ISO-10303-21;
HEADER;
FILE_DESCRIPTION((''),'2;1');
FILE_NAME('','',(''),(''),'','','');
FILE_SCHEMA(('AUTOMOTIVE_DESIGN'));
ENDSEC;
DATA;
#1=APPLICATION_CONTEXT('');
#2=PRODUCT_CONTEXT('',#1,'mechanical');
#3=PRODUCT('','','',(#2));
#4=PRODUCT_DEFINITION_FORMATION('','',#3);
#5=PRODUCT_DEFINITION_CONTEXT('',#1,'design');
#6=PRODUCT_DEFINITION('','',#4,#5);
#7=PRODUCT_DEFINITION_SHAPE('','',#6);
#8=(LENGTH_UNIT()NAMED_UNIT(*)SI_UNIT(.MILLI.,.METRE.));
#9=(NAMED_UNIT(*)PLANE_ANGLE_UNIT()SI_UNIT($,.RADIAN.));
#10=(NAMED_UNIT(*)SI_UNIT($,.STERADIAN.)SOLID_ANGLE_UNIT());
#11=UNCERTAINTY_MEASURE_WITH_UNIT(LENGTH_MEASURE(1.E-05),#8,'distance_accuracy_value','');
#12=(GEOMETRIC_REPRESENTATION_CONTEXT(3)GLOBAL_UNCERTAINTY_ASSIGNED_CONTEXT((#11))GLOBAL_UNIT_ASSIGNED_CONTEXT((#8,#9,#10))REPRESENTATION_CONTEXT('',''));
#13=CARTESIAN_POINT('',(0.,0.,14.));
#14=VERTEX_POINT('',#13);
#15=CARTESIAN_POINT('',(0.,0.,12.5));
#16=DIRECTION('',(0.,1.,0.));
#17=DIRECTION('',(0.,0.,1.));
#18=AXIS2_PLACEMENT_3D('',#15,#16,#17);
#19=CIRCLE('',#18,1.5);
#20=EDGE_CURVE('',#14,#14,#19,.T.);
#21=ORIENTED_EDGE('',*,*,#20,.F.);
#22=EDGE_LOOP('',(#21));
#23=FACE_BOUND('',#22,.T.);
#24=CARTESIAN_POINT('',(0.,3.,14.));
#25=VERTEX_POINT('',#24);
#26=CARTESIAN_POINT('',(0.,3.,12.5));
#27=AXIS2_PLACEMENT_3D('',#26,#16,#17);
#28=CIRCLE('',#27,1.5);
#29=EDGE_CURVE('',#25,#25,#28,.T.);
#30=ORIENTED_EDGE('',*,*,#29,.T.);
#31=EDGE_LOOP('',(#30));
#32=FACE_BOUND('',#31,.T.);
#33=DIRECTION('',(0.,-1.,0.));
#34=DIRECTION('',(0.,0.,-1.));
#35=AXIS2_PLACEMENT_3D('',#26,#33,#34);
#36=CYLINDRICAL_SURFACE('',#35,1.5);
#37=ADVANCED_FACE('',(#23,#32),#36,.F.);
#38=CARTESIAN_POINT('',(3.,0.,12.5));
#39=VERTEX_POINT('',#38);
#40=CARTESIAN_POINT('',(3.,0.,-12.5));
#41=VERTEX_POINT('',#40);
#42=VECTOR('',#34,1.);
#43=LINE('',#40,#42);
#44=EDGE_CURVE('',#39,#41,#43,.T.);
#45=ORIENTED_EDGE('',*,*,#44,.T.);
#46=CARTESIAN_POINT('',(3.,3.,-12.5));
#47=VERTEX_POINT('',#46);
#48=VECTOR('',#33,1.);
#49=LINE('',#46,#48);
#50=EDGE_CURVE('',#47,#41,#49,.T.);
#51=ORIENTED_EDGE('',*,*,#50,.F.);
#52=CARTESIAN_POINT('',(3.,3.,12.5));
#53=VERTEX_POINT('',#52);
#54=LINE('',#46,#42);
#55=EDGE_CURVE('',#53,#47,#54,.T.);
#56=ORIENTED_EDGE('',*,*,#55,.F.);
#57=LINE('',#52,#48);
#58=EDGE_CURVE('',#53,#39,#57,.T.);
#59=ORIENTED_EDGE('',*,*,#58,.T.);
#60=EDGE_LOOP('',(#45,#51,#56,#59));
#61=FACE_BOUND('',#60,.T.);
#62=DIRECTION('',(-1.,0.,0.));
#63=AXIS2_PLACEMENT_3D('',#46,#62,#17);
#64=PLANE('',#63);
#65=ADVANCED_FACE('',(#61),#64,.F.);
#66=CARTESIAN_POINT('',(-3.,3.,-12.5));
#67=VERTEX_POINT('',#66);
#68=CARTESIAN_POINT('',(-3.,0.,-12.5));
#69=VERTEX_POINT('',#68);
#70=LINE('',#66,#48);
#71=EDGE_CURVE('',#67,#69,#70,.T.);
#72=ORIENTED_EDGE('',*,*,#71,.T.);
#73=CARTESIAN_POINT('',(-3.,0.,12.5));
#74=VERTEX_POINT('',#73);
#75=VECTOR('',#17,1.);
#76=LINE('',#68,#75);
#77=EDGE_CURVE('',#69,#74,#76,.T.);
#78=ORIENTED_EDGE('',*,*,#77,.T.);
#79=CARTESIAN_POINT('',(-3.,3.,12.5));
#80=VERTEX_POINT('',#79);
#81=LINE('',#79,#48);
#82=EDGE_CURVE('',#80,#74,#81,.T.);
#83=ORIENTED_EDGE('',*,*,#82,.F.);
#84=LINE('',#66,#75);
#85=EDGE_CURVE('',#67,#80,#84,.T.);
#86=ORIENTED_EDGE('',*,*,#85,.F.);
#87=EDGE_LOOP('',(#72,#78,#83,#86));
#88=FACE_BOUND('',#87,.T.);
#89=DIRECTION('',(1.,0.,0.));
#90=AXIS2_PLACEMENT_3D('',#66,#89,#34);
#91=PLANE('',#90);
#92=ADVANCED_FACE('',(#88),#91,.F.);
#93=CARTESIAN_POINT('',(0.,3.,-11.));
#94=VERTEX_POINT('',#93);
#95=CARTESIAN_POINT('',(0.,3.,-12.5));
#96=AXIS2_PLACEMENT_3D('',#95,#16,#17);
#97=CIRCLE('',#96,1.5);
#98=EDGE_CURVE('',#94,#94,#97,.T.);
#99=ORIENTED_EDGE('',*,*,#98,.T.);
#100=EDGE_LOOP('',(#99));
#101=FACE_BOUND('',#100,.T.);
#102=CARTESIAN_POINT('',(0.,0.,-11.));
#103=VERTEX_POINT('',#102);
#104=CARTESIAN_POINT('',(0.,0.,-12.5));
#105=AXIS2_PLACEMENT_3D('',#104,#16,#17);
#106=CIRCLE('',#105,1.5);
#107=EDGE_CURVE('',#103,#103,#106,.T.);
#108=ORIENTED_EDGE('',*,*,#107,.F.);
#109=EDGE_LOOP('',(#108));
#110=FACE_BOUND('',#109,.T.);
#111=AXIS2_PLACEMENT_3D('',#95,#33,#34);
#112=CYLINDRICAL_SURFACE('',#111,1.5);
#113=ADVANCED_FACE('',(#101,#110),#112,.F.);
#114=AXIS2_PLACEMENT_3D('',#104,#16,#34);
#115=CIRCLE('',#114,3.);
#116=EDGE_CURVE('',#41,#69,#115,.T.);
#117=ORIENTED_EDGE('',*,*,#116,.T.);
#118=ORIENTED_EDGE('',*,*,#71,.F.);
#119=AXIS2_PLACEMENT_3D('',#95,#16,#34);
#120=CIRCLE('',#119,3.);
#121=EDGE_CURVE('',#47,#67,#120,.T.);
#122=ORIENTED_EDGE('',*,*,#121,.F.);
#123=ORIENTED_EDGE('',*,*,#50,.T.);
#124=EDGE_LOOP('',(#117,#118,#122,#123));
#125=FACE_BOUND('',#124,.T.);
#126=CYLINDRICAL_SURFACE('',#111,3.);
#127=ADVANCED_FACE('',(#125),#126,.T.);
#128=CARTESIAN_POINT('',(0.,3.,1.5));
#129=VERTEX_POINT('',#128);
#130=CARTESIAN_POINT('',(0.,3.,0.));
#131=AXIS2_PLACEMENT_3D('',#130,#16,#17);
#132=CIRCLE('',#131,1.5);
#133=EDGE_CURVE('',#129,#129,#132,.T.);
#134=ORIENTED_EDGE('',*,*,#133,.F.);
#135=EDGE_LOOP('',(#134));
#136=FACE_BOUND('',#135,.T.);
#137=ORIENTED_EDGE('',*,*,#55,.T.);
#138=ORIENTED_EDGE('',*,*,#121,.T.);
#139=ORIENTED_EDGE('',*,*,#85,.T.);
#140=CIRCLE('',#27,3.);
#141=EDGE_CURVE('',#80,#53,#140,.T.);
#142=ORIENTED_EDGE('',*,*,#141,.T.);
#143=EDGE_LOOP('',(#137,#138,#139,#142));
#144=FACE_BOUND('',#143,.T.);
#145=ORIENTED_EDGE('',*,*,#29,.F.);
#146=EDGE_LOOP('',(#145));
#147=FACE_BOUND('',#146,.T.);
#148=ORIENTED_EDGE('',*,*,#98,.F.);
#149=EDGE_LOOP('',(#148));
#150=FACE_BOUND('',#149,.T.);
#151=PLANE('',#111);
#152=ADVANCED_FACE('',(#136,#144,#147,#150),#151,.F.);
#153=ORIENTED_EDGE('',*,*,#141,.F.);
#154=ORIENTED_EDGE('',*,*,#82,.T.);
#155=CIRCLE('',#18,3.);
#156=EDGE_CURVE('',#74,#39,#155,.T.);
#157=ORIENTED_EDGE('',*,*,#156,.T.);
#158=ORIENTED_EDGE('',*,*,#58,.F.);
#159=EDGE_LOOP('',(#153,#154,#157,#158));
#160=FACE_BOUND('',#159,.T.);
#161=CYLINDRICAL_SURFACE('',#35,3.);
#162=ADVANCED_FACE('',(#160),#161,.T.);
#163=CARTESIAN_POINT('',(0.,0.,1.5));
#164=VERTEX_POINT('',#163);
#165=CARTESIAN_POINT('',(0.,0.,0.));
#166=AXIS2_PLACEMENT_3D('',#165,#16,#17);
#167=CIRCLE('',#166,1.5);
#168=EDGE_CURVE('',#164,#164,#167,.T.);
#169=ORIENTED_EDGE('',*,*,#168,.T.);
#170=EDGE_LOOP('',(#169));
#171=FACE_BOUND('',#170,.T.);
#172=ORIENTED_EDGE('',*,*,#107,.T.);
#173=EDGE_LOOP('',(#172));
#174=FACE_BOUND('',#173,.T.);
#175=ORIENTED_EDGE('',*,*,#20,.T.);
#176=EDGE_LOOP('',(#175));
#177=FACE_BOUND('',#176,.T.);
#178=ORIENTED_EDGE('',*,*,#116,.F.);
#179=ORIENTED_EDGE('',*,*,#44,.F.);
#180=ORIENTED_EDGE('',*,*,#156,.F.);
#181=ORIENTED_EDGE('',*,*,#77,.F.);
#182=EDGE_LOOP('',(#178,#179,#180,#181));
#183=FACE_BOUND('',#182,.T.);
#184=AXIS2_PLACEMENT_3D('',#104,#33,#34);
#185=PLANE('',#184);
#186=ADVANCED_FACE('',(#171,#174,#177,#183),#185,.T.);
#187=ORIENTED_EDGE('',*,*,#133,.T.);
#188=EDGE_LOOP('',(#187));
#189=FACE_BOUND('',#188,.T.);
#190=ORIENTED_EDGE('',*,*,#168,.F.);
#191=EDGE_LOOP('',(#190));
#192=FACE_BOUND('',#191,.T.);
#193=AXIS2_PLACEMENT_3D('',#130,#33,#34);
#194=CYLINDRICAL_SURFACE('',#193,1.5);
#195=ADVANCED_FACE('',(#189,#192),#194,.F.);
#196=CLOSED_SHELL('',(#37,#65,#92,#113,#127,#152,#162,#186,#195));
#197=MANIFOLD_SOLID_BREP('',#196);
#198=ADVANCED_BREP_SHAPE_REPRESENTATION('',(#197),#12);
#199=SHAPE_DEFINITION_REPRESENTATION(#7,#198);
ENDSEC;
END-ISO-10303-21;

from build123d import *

# Parameters (mm, degrees)
SKETCH3_R           = 1.5
BOSS_EXTRUDE1_DEPTH = 3


with BuildPart() as part:
    # Sketch3 → Boss-Extrude1 (new body)
    with BuildSketch(Plane(origin=(0, 0, 0), x_dir=(1, 0, 0), z_dir=(0, 1, 0))):
        with BuildLine():
            Line((-3, 12.5), (-3, -12.5))
            ThreePointArc((-3, -12.5), (0, -15.5), (3, -12.5))
            Line((3, -12.5), (3, 12.5))
            ThreePointArc((3, 12.5), (0, 15.5), (-3, 12.5))
        make_face()
        with Locations(Location((0, 12.5, 0), (0, 0, 270))):
            Circle(SKETCH3_R, mode=Mode.SUBTRACT)
        with Locations(Location((0, 0, 0), (0, 0, 270))):
            Circle(SKETCH3_R, mode=Mode.SUBTRACT)
        with Locations(Location((0, -12.5, 0), (0, 0, 270))):
            Circle(SKETCH3_R, mode=Mode.SUBTRACT)
    extrude(amount=BOSS_EXTRUDE1_DEPTH)


solid = part.part
